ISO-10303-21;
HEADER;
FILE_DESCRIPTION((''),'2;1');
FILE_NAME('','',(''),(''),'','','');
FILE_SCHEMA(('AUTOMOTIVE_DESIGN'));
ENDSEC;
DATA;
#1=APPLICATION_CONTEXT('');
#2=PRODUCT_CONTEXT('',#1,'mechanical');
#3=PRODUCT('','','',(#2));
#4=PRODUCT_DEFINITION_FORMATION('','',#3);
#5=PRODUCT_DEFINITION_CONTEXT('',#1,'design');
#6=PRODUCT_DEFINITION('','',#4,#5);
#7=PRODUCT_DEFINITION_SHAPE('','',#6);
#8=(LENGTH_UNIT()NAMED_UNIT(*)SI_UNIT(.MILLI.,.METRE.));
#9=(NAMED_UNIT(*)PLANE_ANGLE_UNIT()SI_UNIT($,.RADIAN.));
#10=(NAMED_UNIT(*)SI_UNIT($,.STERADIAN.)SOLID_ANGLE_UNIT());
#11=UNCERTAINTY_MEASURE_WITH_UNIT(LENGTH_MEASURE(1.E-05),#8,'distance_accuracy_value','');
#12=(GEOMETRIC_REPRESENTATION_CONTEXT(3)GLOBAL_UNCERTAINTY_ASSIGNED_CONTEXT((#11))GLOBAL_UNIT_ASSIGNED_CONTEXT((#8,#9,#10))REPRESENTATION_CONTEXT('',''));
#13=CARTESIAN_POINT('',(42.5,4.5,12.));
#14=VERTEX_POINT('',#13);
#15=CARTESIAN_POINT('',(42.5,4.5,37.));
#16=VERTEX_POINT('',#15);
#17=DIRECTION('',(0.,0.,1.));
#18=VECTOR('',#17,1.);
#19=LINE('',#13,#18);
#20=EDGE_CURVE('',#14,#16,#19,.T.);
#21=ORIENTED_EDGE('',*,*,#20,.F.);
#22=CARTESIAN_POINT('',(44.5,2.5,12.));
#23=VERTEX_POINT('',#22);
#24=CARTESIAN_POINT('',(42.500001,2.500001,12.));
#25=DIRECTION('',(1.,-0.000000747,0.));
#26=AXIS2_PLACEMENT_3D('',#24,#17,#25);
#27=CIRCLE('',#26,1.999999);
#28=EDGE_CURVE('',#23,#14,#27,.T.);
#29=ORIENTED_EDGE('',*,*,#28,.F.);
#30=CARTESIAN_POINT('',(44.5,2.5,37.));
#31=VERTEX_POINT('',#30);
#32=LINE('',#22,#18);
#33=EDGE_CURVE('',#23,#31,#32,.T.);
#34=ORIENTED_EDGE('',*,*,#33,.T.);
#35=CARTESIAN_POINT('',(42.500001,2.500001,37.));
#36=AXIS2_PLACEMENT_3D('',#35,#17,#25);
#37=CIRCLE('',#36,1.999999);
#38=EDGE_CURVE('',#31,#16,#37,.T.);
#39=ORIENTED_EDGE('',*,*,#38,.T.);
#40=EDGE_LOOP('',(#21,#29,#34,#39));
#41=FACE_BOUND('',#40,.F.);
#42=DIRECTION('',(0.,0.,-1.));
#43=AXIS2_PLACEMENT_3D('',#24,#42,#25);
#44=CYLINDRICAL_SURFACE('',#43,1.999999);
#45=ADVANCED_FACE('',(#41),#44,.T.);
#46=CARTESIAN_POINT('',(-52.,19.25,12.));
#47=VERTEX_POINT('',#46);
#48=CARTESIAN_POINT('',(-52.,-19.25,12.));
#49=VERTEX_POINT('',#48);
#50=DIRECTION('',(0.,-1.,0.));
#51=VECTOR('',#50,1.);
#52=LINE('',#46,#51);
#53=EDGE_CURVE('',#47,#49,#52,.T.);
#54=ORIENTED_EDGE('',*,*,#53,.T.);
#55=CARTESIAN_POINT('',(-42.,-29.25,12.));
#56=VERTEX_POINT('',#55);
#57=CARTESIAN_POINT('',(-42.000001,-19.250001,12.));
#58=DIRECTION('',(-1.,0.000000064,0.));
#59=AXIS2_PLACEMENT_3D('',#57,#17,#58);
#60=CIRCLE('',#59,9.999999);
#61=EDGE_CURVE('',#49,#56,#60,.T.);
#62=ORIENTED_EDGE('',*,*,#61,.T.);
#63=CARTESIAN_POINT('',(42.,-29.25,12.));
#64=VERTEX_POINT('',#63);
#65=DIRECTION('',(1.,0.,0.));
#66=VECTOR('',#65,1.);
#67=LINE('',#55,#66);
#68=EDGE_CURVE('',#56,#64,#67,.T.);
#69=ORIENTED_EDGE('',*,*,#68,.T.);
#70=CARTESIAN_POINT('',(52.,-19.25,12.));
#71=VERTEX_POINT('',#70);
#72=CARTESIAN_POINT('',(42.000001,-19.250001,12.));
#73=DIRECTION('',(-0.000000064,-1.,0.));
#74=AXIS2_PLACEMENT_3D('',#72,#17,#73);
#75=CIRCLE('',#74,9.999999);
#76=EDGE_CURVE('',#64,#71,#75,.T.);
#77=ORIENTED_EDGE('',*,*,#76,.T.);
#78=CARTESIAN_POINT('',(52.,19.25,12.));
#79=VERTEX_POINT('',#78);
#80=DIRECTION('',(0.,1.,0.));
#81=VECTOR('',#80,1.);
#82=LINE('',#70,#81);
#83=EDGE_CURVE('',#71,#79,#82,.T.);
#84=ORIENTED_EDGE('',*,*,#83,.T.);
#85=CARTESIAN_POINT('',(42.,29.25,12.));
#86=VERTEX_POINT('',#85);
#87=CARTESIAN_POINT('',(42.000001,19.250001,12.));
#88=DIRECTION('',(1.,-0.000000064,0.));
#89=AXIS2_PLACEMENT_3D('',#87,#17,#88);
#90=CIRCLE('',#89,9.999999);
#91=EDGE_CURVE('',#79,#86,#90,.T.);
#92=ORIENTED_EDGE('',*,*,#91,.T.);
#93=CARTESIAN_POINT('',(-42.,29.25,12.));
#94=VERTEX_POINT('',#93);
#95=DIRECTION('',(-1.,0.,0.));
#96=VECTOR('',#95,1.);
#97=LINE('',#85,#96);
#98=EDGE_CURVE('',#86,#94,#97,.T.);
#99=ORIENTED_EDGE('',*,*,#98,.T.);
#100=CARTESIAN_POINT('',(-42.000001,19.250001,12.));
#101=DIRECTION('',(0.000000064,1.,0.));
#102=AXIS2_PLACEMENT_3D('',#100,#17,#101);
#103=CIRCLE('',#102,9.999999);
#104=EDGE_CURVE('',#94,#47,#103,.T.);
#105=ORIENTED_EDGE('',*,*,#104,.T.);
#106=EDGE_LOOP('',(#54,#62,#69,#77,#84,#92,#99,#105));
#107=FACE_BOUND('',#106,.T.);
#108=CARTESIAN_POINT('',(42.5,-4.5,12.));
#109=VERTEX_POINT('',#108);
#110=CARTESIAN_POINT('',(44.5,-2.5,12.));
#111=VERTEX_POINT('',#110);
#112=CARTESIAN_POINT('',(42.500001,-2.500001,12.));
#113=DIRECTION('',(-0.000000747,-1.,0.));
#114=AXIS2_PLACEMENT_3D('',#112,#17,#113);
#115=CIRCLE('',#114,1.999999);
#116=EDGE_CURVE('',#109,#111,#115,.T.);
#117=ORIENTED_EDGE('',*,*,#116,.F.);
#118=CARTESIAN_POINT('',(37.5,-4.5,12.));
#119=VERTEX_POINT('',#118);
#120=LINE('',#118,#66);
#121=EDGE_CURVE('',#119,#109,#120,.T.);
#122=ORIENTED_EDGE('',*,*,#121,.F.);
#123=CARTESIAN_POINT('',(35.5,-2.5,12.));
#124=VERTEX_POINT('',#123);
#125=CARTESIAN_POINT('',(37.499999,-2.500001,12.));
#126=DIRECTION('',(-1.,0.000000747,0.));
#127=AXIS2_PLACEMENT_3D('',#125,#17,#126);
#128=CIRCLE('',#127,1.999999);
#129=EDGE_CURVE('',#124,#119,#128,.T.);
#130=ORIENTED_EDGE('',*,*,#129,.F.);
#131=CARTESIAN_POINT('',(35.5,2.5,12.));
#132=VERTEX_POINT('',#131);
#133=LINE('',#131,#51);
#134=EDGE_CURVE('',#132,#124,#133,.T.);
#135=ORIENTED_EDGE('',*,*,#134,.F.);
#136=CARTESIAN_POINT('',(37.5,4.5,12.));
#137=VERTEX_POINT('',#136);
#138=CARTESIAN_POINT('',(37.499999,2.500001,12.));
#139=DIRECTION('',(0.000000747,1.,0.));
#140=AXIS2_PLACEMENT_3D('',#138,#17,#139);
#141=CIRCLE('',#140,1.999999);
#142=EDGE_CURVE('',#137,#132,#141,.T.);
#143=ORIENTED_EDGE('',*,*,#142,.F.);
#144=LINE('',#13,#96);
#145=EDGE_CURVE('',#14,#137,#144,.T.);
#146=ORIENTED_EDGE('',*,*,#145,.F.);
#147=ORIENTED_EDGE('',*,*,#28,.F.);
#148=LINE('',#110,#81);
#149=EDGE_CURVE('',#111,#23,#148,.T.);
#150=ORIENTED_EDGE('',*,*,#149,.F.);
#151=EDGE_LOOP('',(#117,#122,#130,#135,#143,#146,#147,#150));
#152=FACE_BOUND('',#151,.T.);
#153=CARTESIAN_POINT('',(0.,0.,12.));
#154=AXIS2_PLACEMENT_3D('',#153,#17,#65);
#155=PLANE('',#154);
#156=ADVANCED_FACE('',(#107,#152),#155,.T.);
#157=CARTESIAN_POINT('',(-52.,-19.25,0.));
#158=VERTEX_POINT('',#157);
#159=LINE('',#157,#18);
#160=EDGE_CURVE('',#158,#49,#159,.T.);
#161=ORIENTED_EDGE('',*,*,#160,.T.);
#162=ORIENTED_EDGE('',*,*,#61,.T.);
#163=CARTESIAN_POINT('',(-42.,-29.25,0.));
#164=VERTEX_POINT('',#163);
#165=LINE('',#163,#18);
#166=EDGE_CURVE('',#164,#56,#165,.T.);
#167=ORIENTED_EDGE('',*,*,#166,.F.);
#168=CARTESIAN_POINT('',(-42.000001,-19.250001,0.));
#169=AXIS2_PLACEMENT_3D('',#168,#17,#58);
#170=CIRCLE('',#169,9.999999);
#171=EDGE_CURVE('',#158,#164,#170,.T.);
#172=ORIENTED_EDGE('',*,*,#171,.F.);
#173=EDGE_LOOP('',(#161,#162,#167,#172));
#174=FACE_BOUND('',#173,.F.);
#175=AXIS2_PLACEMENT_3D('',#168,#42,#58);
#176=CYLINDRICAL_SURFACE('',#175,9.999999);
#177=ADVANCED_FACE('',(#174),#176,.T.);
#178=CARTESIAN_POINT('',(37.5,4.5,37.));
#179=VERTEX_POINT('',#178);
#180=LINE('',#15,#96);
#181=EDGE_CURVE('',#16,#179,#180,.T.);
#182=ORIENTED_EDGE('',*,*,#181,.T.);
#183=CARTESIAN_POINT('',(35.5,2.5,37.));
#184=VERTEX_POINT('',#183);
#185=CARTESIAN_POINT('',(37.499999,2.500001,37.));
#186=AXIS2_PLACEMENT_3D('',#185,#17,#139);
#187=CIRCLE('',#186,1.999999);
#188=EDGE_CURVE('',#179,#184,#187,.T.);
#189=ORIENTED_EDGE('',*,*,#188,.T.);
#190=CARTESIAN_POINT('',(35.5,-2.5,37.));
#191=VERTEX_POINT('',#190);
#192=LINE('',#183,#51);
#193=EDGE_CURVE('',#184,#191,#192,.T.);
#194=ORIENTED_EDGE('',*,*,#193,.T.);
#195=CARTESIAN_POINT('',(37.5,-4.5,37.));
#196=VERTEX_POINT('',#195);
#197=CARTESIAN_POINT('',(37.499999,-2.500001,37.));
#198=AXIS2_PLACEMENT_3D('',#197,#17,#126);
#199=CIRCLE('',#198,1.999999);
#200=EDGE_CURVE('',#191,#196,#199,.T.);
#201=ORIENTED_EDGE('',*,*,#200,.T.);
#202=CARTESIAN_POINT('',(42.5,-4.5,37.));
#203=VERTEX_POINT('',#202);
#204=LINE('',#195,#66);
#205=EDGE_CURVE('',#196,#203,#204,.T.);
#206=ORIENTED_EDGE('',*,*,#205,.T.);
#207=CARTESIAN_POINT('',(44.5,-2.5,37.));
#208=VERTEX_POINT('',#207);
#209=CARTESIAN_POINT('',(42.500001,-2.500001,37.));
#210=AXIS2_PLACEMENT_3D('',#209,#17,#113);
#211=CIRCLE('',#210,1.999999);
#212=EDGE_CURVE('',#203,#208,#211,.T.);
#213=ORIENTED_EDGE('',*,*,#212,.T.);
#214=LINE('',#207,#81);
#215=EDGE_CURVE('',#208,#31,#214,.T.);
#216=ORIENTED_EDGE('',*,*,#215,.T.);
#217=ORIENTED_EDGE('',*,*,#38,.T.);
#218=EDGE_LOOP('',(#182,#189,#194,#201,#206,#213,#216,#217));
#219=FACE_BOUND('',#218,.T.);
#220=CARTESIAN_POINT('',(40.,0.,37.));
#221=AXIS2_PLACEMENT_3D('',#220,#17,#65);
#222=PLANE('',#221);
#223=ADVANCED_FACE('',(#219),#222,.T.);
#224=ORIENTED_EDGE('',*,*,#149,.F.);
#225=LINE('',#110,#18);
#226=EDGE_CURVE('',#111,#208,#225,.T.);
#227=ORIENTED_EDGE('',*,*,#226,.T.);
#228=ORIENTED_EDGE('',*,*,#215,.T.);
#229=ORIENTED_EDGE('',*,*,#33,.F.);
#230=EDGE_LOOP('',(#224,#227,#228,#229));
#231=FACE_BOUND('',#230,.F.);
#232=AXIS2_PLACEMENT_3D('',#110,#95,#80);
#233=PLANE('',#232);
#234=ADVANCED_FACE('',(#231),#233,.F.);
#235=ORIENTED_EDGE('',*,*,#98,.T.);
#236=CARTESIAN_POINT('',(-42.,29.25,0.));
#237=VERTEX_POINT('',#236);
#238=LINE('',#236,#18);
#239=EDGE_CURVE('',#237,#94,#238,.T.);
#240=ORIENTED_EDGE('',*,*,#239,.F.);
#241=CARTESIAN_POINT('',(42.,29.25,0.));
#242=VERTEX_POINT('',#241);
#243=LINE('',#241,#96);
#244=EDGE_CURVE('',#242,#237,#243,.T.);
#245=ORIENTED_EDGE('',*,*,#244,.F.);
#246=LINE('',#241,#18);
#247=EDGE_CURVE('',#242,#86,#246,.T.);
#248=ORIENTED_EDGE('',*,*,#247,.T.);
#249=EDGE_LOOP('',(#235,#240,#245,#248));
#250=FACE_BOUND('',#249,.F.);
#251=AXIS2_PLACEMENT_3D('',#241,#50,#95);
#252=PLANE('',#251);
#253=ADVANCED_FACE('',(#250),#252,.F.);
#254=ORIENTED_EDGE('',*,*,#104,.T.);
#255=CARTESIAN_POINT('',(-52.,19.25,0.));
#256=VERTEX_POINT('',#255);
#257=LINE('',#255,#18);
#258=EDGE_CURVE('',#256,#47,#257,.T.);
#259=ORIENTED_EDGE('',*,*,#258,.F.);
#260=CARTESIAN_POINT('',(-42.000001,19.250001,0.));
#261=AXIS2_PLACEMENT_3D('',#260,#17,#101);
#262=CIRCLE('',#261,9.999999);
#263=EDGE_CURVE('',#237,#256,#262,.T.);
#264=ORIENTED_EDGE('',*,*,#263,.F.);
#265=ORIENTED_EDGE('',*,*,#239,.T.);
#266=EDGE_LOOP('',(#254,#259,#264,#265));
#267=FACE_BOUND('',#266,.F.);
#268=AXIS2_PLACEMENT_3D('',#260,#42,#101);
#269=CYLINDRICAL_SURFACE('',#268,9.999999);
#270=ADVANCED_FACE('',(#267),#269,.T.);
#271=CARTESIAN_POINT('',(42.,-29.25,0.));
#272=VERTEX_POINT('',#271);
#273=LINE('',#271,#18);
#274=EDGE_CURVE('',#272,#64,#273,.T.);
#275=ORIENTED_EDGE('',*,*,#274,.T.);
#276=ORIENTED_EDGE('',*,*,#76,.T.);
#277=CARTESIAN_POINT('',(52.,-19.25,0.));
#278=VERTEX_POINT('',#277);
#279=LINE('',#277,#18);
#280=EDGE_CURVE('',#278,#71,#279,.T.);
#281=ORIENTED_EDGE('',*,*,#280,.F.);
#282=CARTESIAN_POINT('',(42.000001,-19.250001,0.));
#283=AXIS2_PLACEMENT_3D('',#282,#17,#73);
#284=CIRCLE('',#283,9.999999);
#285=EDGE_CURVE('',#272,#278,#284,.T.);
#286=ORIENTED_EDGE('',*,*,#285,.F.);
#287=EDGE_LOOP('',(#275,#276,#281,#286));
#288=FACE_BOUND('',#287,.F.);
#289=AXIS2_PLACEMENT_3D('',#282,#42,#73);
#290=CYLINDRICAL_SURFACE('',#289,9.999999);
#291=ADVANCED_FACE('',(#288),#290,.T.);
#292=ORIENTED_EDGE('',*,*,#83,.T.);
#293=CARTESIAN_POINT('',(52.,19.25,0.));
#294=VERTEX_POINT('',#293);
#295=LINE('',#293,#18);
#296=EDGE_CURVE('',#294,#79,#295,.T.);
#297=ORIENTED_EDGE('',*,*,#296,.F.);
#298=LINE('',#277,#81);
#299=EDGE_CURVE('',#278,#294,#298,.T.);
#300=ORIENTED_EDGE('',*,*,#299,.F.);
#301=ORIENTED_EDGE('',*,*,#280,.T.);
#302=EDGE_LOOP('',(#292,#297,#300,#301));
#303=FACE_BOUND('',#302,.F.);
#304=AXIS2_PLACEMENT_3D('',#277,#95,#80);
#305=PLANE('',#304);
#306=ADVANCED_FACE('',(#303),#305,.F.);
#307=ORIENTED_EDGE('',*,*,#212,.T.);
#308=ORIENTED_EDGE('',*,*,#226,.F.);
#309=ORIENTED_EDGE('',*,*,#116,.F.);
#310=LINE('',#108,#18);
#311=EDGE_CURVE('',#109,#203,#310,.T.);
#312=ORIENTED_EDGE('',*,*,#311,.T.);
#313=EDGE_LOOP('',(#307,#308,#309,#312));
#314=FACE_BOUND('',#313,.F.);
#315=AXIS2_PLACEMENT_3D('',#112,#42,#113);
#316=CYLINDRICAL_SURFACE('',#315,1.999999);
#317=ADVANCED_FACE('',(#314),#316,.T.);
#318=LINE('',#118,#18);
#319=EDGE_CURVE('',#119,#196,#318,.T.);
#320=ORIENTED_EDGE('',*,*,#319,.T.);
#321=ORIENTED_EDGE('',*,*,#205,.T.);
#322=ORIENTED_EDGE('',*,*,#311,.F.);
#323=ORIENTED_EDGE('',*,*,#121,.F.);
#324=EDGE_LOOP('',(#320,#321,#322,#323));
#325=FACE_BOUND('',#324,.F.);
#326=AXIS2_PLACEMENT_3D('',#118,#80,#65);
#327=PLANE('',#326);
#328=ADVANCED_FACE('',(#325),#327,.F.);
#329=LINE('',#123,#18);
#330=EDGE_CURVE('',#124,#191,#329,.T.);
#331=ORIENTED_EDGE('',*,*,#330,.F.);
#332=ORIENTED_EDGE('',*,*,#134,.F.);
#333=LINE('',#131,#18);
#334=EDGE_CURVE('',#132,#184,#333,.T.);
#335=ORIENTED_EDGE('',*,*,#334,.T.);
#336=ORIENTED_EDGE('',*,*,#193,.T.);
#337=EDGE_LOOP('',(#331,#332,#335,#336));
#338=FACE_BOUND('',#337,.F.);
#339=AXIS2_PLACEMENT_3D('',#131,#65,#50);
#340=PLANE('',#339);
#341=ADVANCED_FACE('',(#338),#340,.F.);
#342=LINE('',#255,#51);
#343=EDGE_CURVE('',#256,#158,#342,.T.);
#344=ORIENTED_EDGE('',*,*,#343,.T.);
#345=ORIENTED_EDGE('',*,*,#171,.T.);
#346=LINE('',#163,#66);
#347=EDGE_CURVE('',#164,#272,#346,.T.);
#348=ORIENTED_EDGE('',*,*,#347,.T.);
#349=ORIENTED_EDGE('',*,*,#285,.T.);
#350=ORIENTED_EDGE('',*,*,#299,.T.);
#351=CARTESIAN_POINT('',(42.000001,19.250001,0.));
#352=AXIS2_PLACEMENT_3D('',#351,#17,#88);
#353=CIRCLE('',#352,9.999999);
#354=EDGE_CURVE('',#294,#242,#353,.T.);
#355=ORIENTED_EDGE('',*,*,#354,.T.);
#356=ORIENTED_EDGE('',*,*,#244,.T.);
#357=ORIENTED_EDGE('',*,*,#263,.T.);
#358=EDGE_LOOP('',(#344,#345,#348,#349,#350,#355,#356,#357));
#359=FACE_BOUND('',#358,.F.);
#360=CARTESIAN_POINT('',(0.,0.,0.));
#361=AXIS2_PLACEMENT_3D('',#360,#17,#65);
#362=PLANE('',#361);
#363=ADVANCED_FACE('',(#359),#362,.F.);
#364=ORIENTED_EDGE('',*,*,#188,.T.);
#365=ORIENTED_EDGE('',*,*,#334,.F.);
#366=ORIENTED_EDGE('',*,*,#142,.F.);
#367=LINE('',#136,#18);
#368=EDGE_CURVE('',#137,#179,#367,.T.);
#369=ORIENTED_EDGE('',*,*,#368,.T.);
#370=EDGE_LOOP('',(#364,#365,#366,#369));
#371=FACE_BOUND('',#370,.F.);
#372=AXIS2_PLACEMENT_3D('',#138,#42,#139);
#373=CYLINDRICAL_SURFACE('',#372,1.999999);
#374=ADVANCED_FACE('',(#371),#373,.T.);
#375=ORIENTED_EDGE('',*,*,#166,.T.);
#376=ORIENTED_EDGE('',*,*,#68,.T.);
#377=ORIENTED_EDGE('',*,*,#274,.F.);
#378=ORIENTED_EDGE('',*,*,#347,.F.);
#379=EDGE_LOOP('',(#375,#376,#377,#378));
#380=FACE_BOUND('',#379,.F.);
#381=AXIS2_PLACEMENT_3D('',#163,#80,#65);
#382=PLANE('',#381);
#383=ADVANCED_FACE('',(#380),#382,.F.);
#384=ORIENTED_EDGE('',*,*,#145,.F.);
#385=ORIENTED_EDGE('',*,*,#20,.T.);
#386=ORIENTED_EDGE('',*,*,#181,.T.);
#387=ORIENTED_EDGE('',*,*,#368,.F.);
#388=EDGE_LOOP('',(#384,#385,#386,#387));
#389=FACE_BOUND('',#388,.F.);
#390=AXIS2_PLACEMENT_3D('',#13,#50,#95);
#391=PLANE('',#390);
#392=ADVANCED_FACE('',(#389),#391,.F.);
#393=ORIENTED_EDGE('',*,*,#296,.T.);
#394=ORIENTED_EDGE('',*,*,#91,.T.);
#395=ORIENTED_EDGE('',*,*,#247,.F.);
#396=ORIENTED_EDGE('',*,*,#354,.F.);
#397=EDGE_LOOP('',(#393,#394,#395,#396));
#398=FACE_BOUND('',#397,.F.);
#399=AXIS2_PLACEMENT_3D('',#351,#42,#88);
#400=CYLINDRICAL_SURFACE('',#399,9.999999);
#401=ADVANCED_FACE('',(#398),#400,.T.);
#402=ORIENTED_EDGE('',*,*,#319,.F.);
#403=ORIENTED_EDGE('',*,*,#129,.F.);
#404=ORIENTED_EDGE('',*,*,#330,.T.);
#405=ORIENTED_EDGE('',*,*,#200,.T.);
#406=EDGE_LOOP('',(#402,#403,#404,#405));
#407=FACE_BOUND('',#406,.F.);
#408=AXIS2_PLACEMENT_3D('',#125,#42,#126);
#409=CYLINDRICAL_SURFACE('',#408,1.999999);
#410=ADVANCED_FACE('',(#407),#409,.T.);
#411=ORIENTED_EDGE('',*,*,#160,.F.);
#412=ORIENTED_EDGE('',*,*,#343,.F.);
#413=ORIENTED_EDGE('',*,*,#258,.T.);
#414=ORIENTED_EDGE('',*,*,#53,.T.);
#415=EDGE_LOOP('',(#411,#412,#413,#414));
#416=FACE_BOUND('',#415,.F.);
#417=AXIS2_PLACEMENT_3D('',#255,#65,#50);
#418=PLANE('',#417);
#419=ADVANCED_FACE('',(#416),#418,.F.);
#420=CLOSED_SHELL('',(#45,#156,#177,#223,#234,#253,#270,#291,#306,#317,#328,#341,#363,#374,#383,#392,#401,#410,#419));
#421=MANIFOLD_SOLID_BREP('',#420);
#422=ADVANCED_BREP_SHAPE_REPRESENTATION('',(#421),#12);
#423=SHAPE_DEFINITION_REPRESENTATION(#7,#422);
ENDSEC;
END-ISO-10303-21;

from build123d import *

# Parameters (mm, degrees)
F1_DEPTH = 12
F3_DEPTH = 25


with BuildPart() as f1:
    # F0 (on Top) → F1 (new body)
    with BuildSketch(Plane.XY):
        with BuildLine():
            Line((42, 29.25), (-42, 29.25))
            ThreePointArc((-42, 29.25), (-49.071068, 26.321068), (-52, 19.25))
            Line((-52, 19.25), (-52, -19.25))
            ThreePointArc((-52, -19.25), (-49.071068, -26.321068), (-42, -29.25))
            Line((-42, -29.25), (42, -29.25))
            ThreePointArc((42, -29.25), (49.071068, -26.321068), (52, -19.25))
            Line((52, -19.25), (52, 19.25))
            ThreePointArc((52, 19.25), (49.071068, 26.321068), (42, 29.25))
        make_face()
    extrude(amount=F1_DEPTH)

    # F2 (on face) → F3 (join)
    with BuildSketch(Plane.XY.offset(12)):
        with BuildLine():
            Line((42.5, 4.5), (37.5, 4.5))
            ThreePointArc((37.5, 4.5), (36.085786, 3.914214), (35.5, 2.5))
            Line((35.5, 2.5), (35.5, -2.5))
            ThreePointArc((35.5, -2.5), (36.085786, -3.914214), (37.5, -4.5))
            Line((37.5, -4.5), (42.5, -4.5))
            ThreePointArc((42.5, -4.5), (43.914214, -3.914214), (44.5, -2.5))
            Line((44.5, -2.5), (44.5, 2.5))
            ThreePointArc((44.5, 2.5), (43.914214, 3.914214), (42.5, 4.5))
        make_face()
    extrude(amount=F3_DEPTH)


solid = f1.part
